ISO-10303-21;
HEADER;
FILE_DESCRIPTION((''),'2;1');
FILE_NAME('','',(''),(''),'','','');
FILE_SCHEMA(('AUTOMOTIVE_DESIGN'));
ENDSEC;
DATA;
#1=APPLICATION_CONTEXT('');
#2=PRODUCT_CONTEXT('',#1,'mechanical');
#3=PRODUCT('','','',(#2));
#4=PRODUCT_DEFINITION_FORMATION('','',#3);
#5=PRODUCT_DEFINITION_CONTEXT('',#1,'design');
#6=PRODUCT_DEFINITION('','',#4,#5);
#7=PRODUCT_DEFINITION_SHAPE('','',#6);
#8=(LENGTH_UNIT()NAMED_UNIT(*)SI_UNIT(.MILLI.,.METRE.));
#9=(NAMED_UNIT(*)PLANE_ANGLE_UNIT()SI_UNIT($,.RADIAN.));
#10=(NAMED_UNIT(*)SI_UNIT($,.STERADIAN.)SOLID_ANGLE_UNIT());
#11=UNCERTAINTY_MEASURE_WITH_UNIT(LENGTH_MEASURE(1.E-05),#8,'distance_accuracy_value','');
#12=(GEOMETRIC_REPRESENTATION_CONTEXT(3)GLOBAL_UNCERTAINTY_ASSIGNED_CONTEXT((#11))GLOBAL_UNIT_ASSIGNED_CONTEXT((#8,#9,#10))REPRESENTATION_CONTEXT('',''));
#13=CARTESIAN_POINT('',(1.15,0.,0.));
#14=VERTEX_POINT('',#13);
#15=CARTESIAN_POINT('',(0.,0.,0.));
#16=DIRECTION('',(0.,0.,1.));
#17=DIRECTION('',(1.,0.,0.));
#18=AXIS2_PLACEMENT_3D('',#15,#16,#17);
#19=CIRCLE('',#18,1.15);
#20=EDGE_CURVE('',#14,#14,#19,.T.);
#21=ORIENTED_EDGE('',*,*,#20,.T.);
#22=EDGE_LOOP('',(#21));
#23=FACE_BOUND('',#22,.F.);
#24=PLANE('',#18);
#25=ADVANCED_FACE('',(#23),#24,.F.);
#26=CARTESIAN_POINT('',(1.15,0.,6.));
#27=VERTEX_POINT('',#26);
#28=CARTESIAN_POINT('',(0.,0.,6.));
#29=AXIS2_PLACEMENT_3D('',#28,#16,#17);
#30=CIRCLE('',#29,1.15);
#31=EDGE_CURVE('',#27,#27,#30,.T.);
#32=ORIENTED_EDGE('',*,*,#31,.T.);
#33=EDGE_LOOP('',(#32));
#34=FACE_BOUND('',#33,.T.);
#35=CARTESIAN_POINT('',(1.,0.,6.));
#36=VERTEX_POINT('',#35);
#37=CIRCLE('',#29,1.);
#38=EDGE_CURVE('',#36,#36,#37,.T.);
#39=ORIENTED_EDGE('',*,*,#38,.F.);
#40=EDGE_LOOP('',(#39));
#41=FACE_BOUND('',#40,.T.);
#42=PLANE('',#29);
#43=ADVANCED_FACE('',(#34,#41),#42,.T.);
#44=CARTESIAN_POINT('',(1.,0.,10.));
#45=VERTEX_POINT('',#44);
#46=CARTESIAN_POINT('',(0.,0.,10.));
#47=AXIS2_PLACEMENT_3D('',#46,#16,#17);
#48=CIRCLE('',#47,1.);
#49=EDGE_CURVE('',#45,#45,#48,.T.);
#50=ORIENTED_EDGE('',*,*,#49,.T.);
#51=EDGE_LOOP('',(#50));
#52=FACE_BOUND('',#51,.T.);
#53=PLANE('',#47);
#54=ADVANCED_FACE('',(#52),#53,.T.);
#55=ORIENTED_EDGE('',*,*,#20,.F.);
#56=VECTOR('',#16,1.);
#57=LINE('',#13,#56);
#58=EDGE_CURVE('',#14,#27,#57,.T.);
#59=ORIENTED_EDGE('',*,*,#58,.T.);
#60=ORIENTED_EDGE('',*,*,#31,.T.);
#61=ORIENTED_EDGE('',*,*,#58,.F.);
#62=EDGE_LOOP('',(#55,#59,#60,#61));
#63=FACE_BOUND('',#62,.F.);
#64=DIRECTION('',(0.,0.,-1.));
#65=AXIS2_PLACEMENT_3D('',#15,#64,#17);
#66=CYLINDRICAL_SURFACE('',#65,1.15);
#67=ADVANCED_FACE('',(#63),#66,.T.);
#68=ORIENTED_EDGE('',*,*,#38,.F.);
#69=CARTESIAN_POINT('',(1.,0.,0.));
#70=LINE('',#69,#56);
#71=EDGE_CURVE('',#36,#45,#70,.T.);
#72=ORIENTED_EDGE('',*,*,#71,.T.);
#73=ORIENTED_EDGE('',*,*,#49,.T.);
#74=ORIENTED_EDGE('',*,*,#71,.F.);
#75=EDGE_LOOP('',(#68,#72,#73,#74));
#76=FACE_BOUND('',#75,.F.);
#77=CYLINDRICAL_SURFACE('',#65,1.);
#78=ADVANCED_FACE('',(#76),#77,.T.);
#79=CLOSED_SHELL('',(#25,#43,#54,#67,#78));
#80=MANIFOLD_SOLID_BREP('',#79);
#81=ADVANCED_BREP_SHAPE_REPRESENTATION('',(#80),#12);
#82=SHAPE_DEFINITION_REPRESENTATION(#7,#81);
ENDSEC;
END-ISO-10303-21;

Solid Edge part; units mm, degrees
sketch "Sketch1" plane through (0, 0, 0) normal (0, 0, 1) x (1, 0, 0)
  circle A0 centre (0, 0) radius 1
extrude "Protrusion1" add sketch "Sketch1" along normal blind 10
sketch "Sketch2" plane through (0, 0, 0) normal (0, 0, 1) x (1, 0, 0)
  circle A0 centre (0, 0) radius 1.15
  circle A1 centre (0, 0) radius 1
extrude "ExtrudedProtrusion_5" add sketch "Sketch2" along normal blind 6
